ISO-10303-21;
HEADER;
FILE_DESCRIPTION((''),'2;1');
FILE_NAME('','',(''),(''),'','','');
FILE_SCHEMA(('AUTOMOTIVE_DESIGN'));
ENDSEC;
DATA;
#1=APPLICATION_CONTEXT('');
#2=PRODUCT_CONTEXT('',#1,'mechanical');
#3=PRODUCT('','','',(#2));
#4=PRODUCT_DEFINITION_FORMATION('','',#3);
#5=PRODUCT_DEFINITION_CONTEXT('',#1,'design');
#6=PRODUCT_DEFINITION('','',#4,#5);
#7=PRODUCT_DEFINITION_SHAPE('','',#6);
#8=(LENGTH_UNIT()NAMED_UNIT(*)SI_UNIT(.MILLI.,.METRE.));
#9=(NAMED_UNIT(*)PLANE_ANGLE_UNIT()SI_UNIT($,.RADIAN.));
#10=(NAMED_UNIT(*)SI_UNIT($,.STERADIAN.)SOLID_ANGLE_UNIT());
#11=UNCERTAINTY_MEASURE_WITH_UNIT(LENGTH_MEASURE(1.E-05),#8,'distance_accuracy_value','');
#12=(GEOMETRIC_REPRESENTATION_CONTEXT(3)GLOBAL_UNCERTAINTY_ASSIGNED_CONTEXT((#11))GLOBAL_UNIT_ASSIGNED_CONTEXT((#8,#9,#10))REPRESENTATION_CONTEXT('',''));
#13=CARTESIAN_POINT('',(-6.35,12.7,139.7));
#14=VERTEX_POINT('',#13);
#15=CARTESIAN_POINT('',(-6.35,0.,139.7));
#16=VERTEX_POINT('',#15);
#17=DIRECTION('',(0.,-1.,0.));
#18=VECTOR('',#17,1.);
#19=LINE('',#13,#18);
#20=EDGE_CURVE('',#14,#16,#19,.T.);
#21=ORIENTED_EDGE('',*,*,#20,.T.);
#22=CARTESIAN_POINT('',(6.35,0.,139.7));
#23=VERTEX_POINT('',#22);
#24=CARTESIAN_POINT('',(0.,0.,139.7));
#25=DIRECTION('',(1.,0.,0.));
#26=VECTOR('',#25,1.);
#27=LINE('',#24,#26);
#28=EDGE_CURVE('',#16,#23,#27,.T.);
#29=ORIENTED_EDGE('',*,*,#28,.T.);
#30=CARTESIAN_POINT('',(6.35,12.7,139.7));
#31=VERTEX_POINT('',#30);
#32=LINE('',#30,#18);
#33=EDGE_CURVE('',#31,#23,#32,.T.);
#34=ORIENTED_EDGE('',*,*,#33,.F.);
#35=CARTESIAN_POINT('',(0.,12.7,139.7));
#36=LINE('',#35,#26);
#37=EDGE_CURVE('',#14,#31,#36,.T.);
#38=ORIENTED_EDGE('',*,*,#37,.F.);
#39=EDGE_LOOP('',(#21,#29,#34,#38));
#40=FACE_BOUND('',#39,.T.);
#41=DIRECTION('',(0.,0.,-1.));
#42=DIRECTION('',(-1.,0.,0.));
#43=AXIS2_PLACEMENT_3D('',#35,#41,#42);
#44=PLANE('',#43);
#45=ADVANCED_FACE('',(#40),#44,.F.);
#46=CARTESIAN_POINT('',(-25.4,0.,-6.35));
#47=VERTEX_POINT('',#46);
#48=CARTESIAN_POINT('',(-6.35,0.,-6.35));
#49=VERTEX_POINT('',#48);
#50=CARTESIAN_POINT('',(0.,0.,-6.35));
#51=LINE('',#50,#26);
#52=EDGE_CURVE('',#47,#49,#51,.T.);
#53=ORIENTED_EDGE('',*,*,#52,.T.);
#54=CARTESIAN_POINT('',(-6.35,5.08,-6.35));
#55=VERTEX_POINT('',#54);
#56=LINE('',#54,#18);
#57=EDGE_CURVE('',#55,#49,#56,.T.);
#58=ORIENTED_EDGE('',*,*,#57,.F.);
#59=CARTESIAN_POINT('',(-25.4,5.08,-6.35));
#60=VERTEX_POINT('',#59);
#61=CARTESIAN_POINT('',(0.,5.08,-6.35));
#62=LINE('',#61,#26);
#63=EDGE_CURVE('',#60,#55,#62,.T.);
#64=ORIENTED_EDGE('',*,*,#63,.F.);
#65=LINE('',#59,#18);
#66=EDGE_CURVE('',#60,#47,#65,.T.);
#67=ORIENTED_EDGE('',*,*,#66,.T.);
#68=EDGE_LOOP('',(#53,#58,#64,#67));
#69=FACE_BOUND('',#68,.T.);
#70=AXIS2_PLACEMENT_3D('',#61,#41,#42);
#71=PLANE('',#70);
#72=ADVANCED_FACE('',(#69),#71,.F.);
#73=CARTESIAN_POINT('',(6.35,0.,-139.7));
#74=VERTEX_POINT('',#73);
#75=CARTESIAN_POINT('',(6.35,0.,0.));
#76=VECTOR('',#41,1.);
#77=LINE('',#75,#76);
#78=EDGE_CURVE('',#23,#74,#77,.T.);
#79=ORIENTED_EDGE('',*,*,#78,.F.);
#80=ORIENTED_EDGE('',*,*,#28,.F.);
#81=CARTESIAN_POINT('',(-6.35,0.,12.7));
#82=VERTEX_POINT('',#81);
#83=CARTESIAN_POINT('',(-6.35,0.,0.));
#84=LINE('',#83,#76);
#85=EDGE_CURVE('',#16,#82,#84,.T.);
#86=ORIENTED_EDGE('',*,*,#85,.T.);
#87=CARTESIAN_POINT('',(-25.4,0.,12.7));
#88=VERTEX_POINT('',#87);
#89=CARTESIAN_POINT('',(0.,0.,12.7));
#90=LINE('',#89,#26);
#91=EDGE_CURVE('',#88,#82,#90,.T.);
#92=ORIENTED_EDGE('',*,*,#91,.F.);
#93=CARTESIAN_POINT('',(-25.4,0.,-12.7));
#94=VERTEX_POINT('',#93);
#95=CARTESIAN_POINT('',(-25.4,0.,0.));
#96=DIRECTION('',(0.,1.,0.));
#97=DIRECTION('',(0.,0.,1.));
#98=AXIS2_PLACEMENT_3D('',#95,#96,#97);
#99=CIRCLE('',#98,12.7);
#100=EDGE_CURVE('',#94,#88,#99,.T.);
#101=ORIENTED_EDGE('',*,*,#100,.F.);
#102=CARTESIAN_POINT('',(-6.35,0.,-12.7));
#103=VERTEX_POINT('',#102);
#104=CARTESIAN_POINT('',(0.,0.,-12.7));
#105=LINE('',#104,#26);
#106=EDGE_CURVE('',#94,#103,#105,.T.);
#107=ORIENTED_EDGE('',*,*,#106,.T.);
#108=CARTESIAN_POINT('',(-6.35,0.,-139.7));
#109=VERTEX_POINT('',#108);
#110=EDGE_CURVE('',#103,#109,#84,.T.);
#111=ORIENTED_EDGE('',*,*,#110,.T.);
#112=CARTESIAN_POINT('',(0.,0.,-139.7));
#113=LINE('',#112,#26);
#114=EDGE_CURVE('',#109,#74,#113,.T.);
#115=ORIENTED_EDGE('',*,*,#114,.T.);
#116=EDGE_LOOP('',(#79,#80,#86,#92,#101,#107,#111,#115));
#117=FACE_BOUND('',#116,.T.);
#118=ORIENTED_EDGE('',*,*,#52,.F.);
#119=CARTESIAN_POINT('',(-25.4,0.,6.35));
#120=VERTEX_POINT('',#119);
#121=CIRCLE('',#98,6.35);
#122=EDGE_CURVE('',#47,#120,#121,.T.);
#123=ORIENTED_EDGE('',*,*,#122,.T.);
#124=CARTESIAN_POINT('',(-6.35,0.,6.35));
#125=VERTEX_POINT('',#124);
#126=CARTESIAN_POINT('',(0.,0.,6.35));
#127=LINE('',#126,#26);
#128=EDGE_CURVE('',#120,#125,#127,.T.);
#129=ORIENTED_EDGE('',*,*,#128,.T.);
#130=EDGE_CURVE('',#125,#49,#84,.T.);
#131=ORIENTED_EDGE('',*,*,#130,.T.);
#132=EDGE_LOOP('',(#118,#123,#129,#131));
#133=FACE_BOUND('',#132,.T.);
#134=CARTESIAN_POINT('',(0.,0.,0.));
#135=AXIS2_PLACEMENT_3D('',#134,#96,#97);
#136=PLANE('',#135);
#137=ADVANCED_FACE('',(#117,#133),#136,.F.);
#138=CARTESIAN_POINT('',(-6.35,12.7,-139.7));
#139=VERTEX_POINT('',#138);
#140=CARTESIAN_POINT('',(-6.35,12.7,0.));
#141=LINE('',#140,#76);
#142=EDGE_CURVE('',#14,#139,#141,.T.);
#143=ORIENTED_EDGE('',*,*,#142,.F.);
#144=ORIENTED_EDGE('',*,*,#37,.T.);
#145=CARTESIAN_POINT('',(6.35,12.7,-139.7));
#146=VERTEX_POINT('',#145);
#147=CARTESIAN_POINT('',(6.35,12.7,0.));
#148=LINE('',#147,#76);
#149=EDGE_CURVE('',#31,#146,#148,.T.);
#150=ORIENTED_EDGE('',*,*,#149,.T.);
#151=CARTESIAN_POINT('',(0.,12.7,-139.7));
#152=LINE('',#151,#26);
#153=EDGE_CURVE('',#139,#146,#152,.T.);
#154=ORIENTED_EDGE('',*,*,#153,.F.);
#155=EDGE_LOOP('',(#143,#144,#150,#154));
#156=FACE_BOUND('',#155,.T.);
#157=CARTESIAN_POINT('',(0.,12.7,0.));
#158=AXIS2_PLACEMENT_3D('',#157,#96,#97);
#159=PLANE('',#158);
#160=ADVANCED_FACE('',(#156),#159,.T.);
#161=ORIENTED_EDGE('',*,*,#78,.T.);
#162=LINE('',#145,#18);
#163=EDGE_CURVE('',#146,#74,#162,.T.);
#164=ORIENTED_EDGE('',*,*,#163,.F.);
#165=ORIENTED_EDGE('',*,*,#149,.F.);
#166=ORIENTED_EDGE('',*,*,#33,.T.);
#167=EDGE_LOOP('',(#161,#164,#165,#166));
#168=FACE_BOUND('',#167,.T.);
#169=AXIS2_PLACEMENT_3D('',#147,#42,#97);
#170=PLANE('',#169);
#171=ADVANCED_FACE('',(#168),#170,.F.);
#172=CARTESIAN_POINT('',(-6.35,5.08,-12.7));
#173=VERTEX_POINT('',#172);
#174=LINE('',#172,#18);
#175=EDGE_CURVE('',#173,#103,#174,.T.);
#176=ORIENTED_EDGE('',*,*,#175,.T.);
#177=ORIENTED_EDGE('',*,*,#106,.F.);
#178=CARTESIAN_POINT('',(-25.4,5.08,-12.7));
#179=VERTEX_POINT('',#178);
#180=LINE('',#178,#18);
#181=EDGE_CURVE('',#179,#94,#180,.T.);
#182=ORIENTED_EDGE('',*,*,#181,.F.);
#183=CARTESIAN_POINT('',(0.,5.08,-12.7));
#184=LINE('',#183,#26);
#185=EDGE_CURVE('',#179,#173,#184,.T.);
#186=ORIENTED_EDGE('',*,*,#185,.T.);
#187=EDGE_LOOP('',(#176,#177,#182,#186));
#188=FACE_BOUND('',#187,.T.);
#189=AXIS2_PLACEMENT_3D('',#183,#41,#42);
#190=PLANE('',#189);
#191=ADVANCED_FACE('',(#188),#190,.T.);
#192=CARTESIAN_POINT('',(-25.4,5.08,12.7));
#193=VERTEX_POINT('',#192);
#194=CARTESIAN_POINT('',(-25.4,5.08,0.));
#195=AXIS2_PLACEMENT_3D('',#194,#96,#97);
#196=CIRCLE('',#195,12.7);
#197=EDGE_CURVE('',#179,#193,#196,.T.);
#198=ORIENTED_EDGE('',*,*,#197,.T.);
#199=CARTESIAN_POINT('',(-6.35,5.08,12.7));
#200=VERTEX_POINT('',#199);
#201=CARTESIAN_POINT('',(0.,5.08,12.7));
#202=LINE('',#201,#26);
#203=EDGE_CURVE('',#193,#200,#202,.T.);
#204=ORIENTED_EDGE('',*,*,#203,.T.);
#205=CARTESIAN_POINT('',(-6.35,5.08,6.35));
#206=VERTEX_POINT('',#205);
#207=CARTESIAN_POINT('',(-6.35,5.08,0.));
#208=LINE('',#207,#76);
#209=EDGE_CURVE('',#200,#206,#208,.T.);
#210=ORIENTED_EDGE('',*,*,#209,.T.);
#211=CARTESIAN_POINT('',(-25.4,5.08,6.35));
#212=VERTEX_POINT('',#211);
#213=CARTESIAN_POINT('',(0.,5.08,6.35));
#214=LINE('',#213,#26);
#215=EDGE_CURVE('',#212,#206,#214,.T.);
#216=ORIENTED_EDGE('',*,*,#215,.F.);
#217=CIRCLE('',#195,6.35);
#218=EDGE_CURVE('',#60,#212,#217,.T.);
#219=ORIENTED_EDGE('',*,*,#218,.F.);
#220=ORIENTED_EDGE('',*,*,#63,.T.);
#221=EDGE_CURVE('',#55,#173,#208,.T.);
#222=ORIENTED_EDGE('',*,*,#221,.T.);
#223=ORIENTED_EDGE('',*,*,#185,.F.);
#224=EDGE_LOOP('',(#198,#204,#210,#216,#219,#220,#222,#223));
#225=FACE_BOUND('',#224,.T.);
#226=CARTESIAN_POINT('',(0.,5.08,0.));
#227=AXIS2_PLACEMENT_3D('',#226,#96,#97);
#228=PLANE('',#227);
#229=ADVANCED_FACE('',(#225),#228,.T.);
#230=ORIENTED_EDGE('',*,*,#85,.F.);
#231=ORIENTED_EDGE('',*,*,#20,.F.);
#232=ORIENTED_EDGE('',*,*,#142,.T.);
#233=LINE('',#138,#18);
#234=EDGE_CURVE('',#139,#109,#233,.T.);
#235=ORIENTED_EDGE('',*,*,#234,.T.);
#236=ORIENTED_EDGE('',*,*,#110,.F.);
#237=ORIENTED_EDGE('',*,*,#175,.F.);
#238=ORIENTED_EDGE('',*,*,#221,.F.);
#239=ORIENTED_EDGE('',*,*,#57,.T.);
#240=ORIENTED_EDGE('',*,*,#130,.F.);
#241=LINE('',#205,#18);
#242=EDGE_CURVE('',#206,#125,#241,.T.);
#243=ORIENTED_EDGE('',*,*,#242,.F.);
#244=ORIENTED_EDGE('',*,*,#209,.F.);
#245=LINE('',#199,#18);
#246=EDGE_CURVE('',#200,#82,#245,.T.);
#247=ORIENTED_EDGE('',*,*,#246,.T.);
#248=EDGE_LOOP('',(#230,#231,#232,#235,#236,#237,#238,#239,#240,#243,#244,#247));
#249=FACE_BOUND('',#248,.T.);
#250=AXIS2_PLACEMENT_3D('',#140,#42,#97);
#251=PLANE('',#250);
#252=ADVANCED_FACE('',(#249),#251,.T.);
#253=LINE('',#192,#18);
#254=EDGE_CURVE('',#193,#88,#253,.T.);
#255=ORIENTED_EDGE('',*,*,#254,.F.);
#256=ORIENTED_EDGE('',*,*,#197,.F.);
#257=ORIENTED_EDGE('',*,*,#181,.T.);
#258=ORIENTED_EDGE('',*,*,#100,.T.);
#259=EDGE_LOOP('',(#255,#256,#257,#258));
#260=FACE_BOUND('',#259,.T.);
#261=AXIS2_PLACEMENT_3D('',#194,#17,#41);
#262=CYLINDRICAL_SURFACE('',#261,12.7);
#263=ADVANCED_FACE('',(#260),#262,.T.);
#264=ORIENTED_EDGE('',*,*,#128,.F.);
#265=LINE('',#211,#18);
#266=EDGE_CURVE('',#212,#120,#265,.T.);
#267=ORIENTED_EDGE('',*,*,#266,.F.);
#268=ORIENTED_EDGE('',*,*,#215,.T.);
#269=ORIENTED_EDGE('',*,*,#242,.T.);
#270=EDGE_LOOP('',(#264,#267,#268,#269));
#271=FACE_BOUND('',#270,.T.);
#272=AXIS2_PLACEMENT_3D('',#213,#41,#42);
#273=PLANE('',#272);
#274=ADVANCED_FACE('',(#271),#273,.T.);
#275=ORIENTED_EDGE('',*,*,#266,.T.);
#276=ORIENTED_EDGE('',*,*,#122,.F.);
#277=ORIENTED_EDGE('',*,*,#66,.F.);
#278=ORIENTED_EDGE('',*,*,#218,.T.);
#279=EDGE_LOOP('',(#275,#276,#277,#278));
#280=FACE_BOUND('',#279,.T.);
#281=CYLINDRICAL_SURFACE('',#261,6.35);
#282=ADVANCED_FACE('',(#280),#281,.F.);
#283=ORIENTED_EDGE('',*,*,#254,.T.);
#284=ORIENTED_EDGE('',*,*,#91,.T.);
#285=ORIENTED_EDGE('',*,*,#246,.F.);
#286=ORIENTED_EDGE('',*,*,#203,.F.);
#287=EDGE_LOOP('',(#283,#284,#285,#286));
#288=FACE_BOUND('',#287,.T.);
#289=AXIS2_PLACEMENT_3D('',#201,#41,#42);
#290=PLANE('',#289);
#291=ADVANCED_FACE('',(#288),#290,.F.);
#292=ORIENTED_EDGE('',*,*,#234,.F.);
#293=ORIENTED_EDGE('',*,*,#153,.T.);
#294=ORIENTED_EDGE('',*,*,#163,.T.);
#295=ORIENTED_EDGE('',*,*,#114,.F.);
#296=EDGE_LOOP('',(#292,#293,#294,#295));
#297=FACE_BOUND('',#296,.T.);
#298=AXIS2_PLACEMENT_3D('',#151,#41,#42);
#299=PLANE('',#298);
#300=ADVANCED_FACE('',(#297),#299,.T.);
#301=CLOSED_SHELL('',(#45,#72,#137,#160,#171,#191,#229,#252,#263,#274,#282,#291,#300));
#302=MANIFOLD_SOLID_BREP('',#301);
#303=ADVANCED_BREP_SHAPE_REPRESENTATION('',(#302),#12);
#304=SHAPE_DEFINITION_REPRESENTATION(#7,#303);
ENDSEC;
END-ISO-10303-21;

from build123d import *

# Parameters (mm, degrees)
BOSS_EXTRUDE1_DEPTH = 12.7
BOSS_EXTRUDE2_DEPTH = 5.08


with BuildPart() as part:
    # Sketch1 → Boss-Extrude1 (new body)
    with BuildSketch(Plane(origin=(0, 0, 0), x_dir=(1, 0, 0), z_dir=(0, 1, 0))):
        Polygon((-6.35, -12.7), (-6.35, -139.7), (6.35, -139.7), (6.35, 139.7), (-6.35, 139.7), (-6.35, 12.7), (-6.35, 6.35), (-6.35, -6.35), align=None)
    extrude(amount=BOSS_EXTRUDE1_DEPTH)

    # Sketch1<4> → Boss-Extrude2 (add)
    with BuildSketch(Plane(origin=(0, 0, 0), x_dir=(1, 0, 0), z_dir=(0, 1, 0))):
        with BuildLine():
            Line((-25.4, -12.7), (-6.35, -12.7))
            Line((-6.35, -12.7), (-6.35, -6.35))
            Line((-6.35, -6.35), (-25.4, -6.35))
            ThreePointArc((-25.4, -6.35), (-31.75, 0), (-25.4, 6.35))
            Line((-25.4, 6.35), (-6.35, 6.35))
            Line((-6.35, 6.35), (-6.35, 12.7))
            Line((-6.35, 12.7), (-25.4, 12.7))
            ThreePointArc((-25.4, 12.7), (-38.1, 0), (-25.4, -12.7))
        make_face()
    extrude(amount=BOSS_EXTRUDE2_DEPTH)


solid = part.part
